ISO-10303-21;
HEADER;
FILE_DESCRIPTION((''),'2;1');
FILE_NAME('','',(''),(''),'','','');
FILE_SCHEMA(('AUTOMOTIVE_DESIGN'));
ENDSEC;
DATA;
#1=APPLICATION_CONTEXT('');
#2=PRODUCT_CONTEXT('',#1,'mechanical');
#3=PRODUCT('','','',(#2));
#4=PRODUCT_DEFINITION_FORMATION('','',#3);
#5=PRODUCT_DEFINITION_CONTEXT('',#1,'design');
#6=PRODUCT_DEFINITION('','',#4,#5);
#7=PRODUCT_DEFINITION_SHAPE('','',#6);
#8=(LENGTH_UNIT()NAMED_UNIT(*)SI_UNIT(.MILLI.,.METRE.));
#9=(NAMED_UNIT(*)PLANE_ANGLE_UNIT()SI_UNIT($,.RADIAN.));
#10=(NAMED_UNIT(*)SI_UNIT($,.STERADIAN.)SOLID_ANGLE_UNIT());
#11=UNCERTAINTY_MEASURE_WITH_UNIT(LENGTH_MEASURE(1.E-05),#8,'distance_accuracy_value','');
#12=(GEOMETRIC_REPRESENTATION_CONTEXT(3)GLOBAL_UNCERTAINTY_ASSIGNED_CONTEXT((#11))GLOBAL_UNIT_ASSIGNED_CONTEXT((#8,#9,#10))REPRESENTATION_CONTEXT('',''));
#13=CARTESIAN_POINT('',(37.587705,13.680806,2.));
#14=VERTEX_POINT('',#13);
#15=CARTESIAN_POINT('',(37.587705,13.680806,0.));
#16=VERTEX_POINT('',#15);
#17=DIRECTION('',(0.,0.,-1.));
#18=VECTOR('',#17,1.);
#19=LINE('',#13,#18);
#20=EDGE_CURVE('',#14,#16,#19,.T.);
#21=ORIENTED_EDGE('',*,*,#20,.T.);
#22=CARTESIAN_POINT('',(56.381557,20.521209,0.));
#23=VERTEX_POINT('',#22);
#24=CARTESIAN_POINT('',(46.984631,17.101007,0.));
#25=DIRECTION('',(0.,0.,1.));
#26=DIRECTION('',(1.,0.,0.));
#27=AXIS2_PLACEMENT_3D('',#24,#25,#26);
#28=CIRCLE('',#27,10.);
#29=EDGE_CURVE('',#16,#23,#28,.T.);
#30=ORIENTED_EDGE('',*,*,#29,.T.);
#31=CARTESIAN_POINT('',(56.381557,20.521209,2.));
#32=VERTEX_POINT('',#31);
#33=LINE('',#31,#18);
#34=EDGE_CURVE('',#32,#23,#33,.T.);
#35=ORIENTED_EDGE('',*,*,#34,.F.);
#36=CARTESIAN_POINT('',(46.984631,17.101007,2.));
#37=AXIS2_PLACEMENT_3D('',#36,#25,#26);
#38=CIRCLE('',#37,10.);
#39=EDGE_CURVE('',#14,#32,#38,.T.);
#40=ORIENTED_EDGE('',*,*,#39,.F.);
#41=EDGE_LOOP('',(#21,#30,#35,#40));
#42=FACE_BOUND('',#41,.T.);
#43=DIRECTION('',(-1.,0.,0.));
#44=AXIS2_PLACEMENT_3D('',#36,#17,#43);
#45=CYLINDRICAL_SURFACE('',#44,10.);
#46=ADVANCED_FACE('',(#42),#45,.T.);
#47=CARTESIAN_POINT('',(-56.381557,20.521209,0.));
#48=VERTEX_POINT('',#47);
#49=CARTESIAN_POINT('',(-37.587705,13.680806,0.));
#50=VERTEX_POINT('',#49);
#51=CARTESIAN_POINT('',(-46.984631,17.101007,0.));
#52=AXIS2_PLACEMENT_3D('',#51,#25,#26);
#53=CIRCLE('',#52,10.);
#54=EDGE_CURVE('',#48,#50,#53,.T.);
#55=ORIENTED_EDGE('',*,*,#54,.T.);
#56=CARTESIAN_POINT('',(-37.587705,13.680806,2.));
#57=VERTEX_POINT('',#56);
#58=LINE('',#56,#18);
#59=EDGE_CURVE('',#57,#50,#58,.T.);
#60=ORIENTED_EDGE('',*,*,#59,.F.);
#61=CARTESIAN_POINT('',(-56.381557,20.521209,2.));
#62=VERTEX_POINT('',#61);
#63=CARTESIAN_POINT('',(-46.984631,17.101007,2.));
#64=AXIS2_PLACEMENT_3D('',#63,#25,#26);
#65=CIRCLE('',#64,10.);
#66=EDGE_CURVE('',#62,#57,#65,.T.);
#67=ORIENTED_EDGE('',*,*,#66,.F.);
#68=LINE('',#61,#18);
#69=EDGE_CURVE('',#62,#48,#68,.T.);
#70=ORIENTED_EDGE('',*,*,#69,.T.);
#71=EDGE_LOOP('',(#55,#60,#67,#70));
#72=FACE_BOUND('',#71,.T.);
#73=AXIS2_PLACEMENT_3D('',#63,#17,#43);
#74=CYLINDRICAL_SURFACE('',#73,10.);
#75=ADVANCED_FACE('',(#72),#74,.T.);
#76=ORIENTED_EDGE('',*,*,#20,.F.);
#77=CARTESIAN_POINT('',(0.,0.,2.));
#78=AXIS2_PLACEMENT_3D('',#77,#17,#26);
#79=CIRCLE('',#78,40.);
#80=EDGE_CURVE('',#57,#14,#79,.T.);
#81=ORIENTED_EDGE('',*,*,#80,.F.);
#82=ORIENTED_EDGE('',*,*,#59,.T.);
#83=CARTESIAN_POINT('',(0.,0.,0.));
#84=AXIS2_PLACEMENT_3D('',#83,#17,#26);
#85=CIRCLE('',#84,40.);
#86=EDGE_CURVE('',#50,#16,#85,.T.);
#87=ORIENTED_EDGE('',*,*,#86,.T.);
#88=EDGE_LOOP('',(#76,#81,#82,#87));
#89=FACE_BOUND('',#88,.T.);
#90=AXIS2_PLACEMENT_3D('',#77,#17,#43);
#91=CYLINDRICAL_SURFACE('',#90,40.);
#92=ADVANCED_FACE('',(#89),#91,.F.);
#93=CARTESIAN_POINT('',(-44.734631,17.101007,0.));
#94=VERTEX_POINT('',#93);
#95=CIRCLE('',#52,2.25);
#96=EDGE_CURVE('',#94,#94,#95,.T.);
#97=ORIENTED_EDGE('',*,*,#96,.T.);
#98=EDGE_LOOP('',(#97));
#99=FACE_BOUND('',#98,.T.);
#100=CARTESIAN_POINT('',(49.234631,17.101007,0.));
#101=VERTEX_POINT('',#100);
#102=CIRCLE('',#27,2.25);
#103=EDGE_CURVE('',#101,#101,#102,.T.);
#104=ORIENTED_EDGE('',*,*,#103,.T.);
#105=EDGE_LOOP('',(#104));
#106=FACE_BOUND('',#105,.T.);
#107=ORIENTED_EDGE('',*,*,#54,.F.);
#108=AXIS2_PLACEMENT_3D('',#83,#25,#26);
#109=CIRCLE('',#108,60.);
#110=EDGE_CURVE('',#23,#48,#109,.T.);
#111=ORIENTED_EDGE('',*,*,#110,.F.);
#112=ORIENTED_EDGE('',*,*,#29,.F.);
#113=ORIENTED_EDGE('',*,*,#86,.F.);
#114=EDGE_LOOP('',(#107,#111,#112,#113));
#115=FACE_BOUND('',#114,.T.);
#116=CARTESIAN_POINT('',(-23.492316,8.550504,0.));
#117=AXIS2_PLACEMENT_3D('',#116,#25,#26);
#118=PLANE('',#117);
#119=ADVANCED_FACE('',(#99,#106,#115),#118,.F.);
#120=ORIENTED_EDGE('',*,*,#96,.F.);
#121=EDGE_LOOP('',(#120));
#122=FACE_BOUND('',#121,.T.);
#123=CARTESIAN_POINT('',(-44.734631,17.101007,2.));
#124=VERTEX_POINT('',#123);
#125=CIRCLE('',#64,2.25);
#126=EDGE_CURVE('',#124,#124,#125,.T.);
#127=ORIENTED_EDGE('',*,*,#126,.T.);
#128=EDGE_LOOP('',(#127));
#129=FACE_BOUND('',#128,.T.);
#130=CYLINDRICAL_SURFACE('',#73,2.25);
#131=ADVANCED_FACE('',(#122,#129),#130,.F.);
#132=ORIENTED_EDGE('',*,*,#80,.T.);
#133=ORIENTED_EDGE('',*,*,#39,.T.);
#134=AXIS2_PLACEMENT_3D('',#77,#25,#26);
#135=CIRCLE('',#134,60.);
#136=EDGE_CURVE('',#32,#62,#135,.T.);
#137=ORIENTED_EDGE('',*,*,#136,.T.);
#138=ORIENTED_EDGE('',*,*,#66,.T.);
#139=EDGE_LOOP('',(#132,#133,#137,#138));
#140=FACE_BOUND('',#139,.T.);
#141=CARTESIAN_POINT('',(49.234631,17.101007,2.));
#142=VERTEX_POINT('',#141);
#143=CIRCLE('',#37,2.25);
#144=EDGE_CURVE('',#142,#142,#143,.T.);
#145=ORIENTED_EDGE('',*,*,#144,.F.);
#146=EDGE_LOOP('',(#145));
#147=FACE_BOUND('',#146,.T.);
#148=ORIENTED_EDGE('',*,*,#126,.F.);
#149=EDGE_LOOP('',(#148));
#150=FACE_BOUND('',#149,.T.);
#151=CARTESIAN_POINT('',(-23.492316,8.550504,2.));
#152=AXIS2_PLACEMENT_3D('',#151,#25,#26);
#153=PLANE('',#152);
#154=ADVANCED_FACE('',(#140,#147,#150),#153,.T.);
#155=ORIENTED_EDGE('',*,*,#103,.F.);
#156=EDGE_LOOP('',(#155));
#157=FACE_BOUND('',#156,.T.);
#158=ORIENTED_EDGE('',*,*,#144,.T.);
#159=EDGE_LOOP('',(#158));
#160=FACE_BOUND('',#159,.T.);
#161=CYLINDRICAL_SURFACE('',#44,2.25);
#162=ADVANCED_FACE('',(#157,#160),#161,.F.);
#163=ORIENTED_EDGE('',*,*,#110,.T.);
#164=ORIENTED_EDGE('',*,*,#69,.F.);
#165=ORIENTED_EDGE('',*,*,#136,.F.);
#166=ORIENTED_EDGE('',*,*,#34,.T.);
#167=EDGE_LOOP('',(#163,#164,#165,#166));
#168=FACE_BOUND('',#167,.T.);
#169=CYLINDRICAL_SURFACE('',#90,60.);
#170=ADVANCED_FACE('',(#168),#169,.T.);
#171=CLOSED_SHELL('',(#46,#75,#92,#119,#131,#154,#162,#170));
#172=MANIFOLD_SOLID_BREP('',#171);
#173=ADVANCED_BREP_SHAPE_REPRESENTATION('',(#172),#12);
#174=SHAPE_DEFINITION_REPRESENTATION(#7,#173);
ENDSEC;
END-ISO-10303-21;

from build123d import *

# Parameters (mm, degrees)
ESQUISSE1_R        = 2.25
BOSS_EXTRU_1_DEPTH = 2


with BuildPart() as part:
    # Esquisse1 → Boss.-Extru.1 (new body)
    with BuildSketch(Plane.XY):
        with BuildLine():
            ThreePointArc((37.587704831, 13.680805733), (50.404832473, 7.704080958), (56.381557247, 20.5212086))
            ThreePointArc((56.381557247, 20.5212086), (0, 60), (-56.381557247, 20.5212086))
            ThreePointArc((-56.381557247, 20.5212086), (-50.404832473, 7.704080958), (-37.587704831, 13.680805733))
            ThreePointArc((-37.587704831, 13.680805733), (0, 40), (37.587704831, 13.680805733))
        make_face()
        with Locations((-46.984631039, 17.101007166)):
            Circle(ESQUISSE1_R, mode=Mode.SUBTRACT)
        with Locations((46.984631039, 17.101007166)):
            Circle(ESQUISSE1_R, mode=Mode.SUBTRACT)
    extrude(amount=BOSS_EXTRU_1_DEPTH)


solid = part.part
